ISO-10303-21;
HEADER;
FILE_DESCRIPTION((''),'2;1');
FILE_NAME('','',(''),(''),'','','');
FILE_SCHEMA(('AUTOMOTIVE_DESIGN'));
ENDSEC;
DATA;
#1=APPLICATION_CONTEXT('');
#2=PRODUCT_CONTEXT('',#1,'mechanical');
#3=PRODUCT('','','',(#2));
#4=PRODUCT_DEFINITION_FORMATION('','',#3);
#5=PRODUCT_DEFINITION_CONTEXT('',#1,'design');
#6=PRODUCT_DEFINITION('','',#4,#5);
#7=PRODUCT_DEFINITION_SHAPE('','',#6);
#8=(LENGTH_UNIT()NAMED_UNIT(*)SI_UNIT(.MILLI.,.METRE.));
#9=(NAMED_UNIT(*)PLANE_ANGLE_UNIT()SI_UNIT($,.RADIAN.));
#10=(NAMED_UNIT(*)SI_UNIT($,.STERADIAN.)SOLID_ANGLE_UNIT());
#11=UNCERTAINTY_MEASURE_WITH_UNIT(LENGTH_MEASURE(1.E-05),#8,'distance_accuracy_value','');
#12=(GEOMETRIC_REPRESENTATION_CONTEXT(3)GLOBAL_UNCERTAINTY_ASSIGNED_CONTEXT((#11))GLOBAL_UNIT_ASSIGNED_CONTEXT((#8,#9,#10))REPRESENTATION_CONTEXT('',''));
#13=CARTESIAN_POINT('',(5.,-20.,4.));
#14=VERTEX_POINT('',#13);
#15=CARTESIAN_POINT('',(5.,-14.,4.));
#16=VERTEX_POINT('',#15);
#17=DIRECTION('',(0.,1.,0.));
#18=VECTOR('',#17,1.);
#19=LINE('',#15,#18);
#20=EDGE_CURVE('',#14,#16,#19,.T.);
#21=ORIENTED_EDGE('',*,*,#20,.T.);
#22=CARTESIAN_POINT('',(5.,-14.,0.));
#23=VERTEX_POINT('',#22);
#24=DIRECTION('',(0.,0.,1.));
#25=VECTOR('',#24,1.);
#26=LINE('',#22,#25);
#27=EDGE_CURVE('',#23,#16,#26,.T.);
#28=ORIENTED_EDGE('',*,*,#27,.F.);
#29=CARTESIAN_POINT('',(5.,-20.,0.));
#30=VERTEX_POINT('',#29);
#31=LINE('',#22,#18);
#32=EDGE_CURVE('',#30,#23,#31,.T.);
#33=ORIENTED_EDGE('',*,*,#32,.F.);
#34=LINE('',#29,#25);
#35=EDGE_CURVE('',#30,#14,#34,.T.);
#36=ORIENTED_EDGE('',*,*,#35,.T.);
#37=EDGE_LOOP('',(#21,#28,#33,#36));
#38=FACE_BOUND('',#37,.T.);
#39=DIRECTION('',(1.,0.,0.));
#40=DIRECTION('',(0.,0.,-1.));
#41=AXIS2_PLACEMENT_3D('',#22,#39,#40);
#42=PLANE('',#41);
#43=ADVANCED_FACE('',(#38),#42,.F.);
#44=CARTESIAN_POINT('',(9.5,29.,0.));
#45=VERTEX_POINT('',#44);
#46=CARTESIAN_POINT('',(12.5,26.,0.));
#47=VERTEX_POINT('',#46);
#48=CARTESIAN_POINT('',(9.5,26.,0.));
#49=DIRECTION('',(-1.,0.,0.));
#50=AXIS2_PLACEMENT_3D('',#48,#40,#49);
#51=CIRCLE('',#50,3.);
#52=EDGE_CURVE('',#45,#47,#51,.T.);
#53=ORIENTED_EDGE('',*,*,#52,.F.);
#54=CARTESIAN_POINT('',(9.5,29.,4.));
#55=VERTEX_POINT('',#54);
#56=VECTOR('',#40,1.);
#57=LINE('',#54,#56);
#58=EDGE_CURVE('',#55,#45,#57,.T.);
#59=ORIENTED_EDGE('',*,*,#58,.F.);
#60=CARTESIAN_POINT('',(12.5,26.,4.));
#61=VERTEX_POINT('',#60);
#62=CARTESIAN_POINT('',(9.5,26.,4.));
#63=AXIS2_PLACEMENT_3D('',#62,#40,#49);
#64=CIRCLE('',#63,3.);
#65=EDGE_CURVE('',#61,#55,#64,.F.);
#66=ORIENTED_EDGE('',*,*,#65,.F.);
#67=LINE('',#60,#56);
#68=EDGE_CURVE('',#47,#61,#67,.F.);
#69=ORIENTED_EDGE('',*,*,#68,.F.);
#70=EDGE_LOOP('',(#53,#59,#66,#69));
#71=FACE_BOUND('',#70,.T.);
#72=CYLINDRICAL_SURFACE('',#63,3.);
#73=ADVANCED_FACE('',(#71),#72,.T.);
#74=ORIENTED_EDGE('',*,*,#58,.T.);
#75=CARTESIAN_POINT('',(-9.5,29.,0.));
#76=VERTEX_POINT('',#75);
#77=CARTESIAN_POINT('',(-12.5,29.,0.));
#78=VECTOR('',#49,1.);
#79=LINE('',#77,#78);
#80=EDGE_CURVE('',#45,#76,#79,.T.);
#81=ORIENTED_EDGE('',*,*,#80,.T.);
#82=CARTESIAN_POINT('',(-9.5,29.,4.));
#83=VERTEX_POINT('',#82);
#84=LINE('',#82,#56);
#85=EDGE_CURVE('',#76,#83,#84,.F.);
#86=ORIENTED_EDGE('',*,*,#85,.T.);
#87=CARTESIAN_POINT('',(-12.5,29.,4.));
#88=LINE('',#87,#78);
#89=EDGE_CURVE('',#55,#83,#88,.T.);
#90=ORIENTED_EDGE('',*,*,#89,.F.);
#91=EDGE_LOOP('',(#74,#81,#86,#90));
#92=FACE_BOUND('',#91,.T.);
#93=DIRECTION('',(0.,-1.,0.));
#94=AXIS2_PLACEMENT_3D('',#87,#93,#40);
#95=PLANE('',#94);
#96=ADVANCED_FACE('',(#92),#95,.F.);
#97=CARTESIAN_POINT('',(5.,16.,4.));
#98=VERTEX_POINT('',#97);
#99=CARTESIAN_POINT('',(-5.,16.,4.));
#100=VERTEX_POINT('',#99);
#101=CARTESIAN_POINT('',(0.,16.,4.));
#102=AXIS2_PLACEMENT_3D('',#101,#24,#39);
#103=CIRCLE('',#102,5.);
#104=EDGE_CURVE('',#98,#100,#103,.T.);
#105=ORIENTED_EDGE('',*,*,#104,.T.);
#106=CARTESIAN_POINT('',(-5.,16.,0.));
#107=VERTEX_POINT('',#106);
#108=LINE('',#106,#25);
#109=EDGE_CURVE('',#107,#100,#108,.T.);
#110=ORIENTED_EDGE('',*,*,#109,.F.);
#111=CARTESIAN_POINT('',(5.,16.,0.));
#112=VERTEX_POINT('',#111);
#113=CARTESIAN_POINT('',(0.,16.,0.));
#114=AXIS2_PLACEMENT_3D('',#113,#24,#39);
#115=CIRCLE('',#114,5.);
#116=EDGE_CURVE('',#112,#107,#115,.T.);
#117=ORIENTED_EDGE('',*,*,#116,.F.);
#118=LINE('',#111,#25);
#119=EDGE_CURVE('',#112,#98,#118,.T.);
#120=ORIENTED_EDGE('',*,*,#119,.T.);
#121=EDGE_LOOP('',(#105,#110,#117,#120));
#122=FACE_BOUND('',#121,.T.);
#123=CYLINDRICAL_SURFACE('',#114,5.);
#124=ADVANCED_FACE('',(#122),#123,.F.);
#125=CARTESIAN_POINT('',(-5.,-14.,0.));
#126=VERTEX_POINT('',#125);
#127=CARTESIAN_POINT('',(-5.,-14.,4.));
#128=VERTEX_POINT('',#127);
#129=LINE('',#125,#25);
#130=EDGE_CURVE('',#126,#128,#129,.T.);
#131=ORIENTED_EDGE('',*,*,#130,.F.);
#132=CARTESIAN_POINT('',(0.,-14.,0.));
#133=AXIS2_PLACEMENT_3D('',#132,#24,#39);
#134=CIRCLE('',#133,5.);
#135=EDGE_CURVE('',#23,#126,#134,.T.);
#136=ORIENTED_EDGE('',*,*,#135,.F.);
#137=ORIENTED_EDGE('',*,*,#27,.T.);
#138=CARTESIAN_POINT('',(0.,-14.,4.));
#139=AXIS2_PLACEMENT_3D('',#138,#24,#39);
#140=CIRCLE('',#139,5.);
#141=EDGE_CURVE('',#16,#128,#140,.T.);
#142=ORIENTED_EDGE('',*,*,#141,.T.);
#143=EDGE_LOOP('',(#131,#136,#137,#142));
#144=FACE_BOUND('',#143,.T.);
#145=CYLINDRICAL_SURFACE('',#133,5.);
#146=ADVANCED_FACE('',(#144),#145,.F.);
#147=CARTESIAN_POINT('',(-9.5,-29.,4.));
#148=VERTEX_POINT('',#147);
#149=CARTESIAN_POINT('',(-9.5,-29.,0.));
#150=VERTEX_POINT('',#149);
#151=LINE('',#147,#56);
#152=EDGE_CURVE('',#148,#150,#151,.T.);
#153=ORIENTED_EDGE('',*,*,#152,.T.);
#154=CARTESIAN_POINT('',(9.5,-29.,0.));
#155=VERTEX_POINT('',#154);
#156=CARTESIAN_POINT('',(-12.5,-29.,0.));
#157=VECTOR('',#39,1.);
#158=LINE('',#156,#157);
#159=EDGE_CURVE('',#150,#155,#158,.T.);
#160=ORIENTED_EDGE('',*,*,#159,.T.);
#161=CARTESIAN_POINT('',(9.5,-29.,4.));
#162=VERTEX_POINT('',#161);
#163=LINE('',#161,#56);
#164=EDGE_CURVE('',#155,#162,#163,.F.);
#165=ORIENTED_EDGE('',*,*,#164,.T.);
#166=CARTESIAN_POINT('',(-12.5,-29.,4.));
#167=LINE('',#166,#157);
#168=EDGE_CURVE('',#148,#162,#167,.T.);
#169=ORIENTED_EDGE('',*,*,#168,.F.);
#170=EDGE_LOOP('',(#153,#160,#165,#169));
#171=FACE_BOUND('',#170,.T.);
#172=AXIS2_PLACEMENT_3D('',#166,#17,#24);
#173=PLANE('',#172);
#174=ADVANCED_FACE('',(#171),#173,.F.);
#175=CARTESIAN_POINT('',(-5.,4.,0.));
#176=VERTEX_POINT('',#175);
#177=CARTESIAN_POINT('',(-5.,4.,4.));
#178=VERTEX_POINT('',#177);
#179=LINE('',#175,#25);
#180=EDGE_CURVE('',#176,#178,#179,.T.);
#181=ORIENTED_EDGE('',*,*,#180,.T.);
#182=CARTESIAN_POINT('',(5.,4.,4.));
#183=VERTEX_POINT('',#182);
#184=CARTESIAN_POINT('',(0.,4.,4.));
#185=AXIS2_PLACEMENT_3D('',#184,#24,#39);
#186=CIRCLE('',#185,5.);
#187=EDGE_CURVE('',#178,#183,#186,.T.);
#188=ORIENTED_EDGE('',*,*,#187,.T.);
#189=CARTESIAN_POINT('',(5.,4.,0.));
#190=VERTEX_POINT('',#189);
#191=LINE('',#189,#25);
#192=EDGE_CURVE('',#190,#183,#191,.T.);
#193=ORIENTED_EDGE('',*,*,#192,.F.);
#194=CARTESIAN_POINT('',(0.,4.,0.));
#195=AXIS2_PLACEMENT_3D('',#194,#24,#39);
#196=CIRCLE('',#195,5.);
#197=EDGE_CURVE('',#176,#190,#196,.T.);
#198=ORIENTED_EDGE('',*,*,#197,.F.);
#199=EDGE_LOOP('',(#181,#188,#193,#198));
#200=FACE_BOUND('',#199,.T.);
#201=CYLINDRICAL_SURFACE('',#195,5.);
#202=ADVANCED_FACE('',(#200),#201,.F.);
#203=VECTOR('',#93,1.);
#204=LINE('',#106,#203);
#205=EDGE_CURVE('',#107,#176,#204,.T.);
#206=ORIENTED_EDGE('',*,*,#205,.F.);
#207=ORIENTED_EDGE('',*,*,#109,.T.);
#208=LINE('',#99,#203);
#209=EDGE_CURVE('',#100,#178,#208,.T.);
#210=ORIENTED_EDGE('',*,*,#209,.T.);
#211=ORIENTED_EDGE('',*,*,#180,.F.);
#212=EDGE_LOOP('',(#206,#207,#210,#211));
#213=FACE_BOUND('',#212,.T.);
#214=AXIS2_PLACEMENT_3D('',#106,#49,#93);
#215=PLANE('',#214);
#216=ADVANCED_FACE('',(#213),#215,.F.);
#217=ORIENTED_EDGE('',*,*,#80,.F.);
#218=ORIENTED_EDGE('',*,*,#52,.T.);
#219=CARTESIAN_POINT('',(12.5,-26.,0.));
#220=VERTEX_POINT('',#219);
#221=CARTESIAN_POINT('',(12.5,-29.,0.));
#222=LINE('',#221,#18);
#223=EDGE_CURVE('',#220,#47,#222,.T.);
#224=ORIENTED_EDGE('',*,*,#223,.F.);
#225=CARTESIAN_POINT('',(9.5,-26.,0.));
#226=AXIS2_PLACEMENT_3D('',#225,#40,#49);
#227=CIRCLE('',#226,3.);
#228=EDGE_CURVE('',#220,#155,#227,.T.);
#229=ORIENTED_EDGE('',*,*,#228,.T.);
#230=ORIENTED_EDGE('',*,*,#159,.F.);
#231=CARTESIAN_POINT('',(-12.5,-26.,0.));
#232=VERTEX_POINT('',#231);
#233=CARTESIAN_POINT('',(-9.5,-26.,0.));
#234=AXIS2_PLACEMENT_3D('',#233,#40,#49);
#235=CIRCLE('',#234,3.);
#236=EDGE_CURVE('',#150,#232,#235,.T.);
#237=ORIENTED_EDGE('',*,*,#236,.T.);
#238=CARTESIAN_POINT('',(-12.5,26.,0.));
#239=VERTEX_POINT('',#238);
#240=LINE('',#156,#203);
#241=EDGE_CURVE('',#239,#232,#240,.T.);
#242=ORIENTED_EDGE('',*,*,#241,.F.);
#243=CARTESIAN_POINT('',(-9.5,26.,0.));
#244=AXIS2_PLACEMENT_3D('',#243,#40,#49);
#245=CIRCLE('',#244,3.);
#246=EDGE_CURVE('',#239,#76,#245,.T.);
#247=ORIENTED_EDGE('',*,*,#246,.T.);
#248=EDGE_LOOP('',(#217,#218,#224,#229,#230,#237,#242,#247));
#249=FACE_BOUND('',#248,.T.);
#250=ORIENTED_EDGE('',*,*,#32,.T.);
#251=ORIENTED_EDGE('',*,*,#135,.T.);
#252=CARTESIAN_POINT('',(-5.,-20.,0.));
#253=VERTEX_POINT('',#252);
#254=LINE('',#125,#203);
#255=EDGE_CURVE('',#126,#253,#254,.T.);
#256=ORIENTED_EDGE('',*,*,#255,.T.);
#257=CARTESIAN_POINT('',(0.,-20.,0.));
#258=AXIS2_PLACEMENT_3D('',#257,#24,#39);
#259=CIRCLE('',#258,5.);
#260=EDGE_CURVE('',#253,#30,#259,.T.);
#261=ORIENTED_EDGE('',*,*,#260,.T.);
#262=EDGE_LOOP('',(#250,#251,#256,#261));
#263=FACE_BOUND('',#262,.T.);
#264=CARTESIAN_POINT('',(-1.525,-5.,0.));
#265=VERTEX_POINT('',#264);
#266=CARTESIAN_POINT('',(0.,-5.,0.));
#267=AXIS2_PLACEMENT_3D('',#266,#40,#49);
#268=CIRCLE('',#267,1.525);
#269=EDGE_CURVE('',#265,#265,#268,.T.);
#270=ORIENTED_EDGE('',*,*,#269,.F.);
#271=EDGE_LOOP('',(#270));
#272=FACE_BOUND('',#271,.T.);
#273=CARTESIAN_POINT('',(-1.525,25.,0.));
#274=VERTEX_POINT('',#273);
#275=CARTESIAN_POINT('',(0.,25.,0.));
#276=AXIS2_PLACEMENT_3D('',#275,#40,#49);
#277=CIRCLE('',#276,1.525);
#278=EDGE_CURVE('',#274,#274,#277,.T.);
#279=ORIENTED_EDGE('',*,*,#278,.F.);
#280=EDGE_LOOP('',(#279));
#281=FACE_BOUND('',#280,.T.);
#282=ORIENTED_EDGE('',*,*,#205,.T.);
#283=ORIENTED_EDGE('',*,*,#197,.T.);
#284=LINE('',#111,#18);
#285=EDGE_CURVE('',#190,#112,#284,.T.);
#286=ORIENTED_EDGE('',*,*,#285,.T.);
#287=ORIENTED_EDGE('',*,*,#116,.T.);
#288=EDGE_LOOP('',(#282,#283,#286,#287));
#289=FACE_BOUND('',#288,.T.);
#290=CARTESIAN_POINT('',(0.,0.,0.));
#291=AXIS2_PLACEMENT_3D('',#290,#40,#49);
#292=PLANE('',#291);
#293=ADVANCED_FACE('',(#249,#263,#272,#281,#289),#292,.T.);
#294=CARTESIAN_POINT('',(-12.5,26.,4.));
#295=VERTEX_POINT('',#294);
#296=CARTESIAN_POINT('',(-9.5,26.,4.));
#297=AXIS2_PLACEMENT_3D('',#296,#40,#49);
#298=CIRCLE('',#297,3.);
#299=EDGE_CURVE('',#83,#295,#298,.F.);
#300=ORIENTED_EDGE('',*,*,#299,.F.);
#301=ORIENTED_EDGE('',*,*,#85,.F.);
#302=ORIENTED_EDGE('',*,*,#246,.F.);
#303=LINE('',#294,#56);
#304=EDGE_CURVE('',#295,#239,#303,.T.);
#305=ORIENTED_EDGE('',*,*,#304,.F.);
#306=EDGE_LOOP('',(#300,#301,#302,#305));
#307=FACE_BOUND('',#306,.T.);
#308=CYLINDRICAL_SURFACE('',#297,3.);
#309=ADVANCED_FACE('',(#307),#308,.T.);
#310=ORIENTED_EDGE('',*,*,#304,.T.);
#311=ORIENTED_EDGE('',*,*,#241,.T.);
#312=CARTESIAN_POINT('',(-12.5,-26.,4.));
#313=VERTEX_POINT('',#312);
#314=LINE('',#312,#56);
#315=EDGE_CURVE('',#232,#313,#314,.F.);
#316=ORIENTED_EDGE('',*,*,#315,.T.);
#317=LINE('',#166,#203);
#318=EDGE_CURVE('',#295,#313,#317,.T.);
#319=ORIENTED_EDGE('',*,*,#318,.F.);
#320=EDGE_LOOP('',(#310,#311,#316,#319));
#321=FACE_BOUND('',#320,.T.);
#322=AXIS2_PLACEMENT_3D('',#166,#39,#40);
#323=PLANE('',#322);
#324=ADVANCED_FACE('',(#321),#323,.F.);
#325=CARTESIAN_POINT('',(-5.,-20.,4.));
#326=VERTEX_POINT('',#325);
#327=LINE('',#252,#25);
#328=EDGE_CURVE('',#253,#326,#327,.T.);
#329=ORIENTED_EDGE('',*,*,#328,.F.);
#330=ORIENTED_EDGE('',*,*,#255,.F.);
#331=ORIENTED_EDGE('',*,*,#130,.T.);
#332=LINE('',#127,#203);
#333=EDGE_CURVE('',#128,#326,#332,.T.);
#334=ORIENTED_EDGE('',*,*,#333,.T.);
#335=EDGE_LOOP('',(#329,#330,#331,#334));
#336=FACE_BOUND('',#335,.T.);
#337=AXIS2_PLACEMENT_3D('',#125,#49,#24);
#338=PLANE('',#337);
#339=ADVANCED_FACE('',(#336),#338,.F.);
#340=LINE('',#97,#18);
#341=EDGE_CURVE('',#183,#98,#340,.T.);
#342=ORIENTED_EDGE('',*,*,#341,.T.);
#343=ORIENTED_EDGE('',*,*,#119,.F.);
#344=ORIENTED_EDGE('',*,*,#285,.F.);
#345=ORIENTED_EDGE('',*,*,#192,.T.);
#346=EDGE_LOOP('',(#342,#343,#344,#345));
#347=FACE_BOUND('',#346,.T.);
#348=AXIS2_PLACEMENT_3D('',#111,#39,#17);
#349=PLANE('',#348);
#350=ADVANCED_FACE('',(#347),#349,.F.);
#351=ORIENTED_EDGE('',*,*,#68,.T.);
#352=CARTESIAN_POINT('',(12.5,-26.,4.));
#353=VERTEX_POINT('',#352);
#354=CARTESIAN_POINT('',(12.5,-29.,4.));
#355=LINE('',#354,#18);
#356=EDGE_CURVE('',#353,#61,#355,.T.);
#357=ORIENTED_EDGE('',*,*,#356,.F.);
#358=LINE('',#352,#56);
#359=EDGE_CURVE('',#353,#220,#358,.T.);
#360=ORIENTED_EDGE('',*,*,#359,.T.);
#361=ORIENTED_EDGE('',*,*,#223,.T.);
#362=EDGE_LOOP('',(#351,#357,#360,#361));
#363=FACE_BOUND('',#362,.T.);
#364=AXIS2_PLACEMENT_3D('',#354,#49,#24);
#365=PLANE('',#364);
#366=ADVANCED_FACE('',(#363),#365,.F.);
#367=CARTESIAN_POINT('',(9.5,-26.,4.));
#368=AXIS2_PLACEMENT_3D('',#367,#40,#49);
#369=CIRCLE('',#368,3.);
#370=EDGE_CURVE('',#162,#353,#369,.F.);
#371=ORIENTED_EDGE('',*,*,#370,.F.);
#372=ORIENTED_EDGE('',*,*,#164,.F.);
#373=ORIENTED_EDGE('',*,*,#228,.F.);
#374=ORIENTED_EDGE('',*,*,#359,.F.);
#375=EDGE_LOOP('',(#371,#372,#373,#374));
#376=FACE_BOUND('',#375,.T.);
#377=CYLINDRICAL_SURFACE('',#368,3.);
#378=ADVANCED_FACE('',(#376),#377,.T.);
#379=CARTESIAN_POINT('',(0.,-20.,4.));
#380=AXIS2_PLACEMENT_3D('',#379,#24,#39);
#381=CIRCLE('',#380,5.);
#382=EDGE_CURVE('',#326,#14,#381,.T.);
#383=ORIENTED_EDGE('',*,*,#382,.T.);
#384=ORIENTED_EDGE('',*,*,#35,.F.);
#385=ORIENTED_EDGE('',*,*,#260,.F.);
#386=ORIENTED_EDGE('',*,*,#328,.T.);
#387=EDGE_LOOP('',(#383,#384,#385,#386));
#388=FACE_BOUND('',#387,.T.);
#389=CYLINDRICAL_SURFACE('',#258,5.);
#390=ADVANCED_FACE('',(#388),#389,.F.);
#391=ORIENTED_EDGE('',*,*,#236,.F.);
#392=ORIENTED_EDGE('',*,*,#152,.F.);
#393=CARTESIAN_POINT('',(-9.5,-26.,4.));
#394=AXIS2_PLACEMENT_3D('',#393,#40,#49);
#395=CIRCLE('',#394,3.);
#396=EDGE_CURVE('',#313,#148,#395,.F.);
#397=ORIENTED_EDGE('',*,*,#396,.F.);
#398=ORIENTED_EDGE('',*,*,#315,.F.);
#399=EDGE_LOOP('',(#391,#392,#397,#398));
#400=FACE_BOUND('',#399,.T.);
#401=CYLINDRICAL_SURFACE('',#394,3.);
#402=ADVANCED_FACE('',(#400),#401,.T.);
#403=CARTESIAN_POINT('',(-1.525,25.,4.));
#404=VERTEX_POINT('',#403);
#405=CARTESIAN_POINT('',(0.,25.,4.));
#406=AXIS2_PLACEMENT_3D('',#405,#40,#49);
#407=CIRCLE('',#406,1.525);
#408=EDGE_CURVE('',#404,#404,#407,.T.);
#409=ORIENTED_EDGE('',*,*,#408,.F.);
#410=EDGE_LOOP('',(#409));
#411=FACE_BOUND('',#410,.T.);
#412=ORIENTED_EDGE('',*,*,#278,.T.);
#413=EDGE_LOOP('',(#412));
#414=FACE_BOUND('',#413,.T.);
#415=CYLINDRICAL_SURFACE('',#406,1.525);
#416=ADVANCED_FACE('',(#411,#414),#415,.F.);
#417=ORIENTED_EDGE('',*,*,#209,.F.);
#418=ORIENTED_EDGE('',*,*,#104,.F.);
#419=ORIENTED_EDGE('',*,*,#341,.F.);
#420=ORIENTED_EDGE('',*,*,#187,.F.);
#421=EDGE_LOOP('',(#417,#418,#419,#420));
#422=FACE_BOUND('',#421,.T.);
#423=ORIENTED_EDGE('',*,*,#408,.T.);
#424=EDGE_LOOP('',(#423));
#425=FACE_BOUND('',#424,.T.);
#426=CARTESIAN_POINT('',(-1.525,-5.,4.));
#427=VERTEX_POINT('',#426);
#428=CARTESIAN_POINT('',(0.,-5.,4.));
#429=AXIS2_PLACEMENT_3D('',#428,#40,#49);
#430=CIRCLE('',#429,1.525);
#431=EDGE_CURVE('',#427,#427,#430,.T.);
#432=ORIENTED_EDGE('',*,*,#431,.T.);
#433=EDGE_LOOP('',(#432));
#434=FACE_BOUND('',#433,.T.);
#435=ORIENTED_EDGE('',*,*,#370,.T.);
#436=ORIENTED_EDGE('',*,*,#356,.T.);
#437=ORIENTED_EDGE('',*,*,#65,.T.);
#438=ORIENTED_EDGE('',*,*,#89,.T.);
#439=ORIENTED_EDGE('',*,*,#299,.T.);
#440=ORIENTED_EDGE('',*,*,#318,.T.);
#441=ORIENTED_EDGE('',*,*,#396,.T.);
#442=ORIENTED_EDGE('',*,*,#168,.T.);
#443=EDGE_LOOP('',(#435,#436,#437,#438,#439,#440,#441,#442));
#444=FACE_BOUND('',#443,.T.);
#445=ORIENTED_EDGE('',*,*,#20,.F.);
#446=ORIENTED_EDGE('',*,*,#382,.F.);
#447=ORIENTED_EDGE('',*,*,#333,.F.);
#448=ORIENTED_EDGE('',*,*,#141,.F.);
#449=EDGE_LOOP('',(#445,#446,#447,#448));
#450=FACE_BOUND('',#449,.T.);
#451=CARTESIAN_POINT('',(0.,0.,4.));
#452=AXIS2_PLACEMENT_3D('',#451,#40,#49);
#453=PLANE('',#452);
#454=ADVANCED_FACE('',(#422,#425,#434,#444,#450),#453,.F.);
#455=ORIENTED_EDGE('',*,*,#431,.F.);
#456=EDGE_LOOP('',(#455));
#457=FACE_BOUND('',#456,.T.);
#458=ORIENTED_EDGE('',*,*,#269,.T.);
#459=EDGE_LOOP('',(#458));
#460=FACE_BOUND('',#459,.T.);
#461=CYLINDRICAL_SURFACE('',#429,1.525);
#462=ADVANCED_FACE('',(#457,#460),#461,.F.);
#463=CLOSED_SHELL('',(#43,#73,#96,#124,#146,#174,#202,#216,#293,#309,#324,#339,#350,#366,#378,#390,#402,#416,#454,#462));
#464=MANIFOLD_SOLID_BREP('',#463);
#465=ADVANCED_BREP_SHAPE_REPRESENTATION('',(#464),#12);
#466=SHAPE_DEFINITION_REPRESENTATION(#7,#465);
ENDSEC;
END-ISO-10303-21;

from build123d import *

# Parameters (mm, degrees)
SKETCH_1_W               = 25
SKETCH_1_H               = 58
EXTRUDE_1_DEPTH          = 4
SKETCH_2_R               = 1.525
CUT_EXTRUDE_1_DEPTH      = 1
CUT_EXTRUDE_1_DEPTH_BACK = 5
FILLET_1_R               = 3
CUT_EXTRUDE_2_DEPTH      = 1
CUT_EXTRUDE_2_DEPTH_BACK = 5


with BuildPart() as part:
    # 草图1 → 凸台-拉伸1 (new body)
    with BuildSketch(Plane.XY):
        Rectangle(SKETCH_1_W, SKETCH_1_H)
    extrude(amount=EXTRUDE_1_DEPTH)

    # 草图2 → 切除-拉伸1 (cut, two sides)
    with BuildSketch(Plane(origin=(0, 0, 0), x_dir=(-1, 0, 0), z_dir=(0, 0, -1))) as cut_extrude_1_sk:
        with Locations((0, 24.999999999)):
            Circle(SKETCH_2_R)
        with Locations((0, -5.000000001)):
            Circle(SKETCH_2_R)
    extrude(amount=CUT_EXTRUDE_1_DEPTH, mode=Mode.SUBTRACT)
    extrude(cut_extrude_1_sk.sketch, amount=-CUT_EXTRUDE_1_DEPTH_BACK, mode=Mode.SUBTRACT)

    # 圆角1
    fillet_1_edges = [part.edges().sort_by_distance(p)[0] for p in [
        (12.5, -29, 2),
        (-12.5, -29, 2),
        (-12.5, 29, 2),
        (12.5, 29, 2),
    ]]
    fillet(fillet_1_edges, radius=FILLET_1_R)

    # 草图3 → 切除-拉伸2 (cut, two sides)
    with BuildSketch(Plane.XY.offset(4)) as cut_extrude_2_sk:
        with BuildLine():
            Line((5, 15.999999999), (5, 3.999999999))
            ThreePointArc((5, 3.999999999), (0, -1.000000001), (-5, 3.999999999))
            Line((-5, 3.999999999), (-5, 15.999999999))
            ThreePointArc((-5, 15.999999999), (0, 20.999999999), (5, 15.999999999))
        make_face()
        with BuildLine():
            Line((5, -14), (5, -20))
            ThreePointArc((5, -20), (0, -25), (-5, -20))
            Line((-5, -20), (-5, -14))
            ThreePointArc((-5, -14), (0, -9), (5, -14))
        make_face()
    extrude(amount=CUT_EXTRUDE_2_DEPTH, mode=Mode.SUBTRACT)
    extrude(cut_extrude_2_sk.sketch, amount=-CUT_EXTRUDE_2_DEPTH_BACK, mode=Mode.SUBTRACT)


solid = part.part
